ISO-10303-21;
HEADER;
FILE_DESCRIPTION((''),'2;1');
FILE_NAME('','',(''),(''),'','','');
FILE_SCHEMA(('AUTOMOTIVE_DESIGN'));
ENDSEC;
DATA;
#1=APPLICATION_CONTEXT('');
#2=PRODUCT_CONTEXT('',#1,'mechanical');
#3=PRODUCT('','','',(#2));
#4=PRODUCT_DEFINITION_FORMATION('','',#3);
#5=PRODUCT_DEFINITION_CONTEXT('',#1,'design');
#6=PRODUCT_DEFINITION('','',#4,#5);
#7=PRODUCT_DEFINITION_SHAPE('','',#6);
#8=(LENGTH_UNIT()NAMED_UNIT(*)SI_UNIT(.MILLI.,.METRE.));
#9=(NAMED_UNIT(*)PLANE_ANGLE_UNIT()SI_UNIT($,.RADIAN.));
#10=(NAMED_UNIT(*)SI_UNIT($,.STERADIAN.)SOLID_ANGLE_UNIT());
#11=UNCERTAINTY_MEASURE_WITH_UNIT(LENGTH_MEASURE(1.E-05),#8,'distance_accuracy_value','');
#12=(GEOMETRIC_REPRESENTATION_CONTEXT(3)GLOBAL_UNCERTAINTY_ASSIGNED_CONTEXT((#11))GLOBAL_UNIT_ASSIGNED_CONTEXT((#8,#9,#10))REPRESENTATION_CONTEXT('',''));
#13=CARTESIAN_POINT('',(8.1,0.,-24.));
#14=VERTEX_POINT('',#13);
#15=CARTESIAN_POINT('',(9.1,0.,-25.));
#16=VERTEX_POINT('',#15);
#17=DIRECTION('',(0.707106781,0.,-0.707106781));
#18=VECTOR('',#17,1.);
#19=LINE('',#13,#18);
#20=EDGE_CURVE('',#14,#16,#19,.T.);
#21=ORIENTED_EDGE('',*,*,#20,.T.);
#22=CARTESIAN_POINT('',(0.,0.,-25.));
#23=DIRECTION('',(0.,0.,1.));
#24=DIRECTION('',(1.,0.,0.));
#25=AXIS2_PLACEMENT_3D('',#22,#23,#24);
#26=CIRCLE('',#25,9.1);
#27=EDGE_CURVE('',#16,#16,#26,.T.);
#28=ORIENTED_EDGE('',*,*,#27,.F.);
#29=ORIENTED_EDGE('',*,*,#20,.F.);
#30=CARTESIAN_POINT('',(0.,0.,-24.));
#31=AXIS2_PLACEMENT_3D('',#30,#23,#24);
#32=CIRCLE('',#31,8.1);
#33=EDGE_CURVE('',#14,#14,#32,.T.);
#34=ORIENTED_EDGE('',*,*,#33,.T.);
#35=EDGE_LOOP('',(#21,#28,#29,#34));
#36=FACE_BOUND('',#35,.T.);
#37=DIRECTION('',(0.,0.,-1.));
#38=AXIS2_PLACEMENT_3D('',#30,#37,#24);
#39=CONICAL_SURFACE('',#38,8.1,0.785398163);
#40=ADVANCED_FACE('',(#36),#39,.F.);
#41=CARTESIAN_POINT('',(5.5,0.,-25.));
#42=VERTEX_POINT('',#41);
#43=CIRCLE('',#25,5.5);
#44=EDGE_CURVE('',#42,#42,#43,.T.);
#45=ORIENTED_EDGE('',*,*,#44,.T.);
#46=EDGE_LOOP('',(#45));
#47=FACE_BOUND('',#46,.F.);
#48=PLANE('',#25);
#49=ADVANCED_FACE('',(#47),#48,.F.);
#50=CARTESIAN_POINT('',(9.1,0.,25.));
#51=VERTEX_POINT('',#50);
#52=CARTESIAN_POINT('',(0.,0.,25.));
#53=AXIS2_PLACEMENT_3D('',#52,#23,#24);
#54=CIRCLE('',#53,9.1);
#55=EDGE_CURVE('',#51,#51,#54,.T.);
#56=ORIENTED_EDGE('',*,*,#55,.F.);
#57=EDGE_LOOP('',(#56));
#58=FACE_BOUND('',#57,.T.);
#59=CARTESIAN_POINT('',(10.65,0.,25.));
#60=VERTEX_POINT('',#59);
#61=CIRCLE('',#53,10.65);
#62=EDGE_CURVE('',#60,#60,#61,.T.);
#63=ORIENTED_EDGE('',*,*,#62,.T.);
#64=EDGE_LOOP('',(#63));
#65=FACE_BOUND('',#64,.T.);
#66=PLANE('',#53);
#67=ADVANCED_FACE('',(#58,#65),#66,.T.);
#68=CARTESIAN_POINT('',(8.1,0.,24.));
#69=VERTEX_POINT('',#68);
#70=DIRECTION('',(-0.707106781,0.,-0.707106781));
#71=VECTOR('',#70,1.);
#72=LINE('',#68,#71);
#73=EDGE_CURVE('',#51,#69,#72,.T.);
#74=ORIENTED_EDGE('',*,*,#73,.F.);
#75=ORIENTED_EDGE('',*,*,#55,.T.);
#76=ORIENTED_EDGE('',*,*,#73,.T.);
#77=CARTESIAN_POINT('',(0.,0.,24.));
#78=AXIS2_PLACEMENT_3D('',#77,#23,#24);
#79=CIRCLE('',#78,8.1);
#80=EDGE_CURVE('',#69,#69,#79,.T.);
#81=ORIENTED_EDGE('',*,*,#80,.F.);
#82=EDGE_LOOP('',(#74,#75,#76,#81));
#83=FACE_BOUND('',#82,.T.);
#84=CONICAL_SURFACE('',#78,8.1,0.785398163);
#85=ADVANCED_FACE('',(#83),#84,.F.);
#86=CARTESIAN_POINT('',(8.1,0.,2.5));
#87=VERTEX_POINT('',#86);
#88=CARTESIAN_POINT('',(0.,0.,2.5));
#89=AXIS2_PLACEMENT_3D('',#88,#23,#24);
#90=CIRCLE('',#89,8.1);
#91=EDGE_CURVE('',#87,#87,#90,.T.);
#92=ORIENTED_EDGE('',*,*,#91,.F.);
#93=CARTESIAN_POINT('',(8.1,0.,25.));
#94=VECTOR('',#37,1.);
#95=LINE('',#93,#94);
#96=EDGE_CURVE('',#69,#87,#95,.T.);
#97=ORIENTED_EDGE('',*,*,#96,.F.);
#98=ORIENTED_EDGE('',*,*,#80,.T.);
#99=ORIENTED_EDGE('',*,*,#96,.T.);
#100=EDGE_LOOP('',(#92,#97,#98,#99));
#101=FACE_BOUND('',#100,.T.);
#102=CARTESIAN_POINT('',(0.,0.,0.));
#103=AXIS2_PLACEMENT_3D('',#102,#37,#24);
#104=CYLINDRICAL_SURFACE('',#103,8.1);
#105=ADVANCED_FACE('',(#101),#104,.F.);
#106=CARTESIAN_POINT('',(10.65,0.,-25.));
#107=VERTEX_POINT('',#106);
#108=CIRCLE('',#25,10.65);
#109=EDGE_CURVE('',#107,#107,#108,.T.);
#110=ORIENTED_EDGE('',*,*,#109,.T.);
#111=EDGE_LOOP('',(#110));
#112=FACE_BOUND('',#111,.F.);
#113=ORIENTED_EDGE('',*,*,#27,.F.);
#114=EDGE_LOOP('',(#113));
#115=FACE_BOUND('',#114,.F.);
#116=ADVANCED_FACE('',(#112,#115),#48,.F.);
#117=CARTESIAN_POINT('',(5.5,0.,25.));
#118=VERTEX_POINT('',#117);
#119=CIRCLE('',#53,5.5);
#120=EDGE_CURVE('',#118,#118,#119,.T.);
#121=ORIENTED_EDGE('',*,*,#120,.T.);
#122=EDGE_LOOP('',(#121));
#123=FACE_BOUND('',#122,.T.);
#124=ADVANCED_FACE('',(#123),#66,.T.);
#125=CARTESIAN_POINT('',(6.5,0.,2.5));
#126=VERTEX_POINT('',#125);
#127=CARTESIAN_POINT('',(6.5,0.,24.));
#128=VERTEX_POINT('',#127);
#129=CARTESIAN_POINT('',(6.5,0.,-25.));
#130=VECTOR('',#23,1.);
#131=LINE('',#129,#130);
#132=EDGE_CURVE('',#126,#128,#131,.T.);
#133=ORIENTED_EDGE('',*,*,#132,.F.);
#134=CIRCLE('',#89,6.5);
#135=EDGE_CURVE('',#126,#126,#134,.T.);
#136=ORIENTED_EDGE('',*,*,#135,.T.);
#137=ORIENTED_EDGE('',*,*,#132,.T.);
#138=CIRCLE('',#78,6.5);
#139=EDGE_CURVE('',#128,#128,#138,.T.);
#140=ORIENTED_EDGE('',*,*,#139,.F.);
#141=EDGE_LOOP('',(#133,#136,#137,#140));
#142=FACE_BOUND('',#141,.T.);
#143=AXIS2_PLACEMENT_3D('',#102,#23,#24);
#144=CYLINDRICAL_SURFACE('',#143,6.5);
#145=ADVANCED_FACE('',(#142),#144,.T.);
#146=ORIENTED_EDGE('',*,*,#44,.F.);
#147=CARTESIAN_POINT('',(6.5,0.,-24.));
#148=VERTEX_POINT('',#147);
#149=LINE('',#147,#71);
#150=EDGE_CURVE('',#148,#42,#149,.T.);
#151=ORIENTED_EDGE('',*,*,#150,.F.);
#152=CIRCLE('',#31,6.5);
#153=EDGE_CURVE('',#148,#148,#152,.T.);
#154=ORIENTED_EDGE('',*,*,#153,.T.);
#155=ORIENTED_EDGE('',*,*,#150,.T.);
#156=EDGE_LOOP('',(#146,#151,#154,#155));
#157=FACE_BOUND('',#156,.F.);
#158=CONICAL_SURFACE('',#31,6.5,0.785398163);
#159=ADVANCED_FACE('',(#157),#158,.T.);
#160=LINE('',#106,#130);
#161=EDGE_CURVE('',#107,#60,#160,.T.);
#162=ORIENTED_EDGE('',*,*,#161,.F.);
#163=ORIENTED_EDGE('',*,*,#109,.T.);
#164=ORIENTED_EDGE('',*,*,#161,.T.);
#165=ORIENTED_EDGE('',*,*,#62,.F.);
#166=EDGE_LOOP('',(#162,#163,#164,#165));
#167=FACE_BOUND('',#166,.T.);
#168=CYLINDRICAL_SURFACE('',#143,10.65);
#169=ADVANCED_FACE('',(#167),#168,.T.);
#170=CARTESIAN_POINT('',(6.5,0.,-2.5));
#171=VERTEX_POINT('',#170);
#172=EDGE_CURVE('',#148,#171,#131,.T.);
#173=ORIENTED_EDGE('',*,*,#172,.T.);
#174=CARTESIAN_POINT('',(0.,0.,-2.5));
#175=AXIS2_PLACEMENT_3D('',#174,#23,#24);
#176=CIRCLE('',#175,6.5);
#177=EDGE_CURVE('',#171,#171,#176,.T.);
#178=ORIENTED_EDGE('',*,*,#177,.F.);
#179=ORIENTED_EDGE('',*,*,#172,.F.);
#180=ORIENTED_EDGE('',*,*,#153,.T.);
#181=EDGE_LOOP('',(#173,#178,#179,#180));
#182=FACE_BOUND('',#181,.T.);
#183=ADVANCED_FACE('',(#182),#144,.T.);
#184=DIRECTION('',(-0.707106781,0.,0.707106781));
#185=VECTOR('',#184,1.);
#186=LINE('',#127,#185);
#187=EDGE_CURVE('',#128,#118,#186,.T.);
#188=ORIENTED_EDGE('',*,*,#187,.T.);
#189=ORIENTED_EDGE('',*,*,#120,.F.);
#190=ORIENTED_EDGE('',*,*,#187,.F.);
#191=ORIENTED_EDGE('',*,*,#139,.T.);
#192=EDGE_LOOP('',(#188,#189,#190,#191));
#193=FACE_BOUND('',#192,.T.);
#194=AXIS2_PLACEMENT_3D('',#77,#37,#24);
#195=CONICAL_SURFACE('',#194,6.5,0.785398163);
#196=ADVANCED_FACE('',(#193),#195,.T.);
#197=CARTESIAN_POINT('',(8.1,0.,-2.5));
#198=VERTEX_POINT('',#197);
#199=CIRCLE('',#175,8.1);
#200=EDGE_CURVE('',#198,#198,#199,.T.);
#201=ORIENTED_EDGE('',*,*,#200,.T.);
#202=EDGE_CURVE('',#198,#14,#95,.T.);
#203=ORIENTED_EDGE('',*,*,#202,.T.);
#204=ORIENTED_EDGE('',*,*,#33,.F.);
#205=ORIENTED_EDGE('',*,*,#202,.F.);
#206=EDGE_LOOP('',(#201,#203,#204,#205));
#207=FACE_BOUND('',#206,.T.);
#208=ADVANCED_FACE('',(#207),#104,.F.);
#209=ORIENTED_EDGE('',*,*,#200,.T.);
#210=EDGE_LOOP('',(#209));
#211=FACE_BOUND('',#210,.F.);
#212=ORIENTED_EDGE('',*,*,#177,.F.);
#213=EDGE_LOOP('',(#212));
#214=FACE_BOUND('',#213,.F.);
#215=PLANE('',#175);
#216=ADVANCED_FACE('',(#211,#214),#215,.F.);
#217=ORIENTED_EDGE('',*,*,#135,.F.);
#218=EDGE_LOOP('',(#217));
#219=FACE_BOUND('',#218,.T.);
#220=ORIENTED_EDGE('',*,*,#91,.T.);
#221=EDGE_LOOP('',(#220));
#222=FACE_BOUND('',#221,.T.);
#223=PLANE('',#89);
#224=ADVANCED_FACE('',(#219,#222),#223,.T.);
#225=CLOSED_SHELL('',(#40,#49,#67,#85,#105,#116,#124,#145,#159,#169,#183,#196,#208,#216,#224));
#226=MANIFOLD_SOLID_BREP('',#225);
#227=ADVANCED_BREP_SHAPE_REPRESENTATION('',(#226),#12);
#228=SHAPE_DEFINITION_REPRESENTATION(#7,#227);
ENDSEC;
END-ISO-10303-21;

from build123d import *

# Parameters (mm, degrees)
F0_R     = 10.65
F0_R_2   = 8.1
F1_DEPTH = 25
F0_R_3   = 6.5
F2_DEPTH = 2.5
F3_DEPTH = 25
F4_SIZE  = 1


with BuildPart() as f1:
    # F0 (on Top) → F1 (new body, symmetric)
    with BuildSketch(Plane.XY):
        Circle(F0_R)
        Circle(F0_R_2, mode=Mode.SUBTRACT)
    extrude(amount=F1_DEPTH, both=True)

    # F0 (on Top) → F2 (join, symmetric)
    with BuildSketch(Plane.XY):
        Circle(F0_R_2)
        Circle(F0_R_3, mode=Mode.SUBTRACT)
    extrude(amount=F2_DEPTH, both=True)

    # F0 (on Top) → F3 (join, symmetric)
    with BuildSketch(Plane.XY):
        Circle(F0_R_3)
    extrude(amount=F3_DEPTH, both=True)

    # F4
    f4_edges = [f1.edges().sort_by_distance(p)[0] for p in [
        (-8.1, 0, -25),
        (-6.5, 0, -25),
        (-8.1, 0, 25),
        (-6.5, 0, 25),
    ]]
    chamfer(f4_edges, length=F4_SIZE)


solid = f1.part
